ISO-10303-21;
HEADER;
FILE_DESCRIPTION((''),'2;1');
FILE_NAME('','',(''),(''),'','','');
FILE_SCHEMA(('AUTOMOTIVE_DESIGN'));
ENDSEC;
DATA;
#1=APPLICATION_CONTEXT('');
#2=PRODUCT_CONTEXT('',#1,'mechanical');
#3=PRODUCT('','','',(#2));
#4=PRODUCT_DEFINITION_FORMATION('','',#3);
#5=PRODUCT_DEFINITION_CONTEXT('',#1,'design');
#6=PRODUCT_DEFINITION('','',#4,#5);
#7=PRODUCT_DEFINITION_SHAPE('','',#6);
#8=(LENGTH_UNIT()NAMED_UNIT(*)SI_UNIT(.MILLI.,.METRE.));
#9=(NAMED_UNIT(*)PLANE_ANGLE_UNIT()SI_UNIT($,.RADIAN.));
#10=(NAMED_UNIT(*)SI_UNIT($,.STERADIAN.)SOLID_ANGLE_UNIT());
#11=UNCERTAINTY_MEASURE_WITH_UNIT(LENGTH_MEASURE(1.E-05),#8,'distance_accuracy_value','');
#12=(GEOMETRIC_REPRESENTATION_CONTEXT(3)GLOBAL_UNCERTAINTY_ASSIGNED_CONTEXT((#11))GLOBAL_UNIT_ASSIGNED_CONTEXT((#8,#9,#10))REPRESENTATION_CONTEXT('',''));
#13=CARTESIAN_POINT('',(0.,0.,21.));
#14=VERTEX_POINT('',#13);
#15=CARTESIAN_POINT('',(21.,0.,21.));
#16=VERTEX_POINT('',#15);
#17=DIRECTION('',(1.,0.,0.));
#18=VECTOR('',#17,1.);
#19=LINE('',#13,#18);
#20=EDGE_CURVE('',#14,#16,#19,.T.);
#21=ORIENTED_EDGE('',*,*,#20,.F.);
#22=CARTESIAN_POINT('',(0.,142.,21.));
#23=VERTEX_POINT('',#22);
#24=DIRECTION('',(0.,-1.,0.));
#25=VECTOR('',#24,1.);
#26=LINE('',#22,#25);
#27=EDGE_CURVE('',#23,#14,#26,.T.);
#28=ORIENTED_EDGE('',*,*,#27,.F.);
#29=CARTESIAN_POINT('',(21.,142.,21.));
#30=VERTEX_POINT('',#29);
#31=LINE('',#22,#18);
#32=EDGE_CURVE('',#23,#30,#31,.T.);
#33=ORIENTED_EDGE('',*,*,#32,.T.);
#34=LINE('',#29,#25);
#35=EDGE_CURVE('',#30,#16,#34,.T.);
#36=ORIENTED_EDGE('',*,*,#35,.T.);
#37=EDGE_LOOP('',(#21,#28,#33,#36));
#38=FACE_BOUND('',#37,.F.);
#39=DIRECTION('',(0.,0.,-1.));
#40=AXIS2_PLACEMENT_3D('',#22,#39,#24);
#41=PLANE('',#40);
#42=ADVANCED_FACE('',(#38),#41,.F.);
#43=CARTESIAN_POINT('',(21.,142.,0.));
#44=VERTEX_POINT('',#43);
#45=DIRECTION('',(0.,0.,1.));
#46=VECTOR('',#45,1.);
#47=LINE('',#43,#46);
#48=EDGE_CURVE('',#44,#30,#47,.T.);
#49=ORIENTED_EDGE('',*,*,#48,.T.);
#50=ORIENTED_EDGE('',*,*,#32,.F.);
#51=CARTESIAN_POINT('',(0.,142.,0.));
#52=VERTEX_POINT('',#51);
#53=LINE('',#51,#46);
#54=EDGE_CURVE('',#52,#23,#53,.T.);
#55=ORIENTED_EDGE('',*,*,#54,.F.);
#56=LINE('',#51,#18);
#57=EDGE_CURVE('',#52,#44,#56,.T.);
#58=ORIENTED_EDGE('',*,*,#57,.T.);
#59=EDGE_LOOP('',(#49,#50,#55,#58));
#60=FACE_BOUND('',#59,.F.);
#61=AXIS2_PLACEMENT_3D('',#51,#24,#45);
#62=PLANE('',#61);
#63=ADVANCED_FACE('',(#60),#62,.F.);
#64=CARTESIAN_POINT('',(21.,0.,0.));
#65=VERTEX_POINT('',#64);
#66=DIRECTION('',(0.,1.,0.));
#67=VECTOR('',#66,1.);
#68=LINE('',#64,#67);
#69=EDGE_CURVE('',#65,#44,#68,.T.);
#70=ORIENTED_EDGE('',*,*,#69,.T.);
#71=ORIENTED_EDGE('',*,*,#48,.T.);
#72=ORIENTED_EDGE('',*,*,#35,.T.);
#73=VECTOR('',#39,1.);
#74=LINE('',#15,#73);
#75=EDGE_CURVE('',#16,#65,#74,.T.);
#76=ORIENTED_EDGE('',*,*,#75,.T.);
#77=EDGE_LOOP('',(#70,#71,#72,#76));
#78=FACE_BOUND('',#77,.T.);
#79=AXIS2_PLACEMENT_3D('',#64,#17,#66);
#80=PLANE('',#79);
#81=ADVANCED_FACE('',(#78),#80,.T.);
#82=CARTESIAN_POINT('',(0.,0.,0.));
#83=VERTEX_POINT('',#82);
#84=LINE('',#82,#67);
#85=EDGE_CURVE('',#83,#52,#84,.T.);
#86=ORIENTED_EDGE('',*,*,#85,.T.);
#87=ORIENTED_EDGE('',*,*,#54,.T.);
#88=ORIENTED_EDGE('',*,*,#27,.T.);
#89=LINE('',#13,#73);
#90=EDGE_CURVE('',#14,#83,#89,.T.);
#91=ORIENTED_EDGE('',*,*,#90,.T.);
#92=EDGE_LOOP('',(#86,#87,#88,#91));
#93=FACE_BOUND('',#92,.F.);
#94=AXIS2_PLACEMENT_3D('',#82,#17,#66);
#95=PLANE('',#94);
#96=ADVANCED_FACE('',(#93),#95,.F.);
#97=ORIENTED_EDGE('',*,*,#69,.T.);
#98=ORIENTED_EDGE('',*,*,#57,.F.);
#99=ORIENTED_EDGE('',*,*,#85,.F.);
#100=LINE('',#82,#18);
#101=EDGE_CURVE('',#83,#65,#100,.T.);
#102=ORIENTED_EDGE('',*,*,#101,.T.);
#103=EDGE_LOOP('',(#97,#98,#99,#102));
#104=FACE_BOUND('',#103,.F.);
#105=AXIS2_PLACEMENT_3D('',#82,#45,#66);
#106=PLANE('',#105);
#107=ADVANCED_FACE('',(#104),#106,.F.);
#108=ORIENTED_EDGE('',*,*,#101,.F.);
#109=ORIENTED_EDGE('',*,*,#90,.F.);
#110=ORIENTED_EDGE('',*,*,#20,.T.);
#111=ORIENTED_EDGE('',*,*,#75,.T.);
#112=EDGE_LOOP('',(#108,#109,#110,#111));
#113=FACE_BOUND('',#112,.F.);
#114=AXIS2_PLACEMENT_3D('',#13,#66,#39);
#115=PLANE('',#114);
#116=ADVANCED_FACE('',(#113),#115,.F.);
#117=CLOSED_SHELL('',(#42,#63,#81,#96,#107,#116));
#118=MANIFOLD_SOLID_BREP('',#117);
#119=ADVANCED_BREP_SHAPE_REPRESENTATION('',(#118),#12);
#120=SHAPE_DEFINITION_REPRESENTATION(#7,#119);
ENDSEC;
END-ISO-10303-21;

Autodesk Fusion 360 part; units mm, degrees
sketch "Back Panel Support Left " plane through (0, 0, 0) normal (1, 0, 0) x (0, 1, 0)
  line L0 (0, 0) -> (142, 0)
  line L1 (142, 0) -> (142, 21)
  line L2 (142, 21) -> (0, 21)
  line L3 (0, 21) -> (0, 0)
  dimension "d1" = 21
  dimension "d2" = 142
extrude "Extrude1" add sketch "Back Panel Support Left " along normal blind 21
